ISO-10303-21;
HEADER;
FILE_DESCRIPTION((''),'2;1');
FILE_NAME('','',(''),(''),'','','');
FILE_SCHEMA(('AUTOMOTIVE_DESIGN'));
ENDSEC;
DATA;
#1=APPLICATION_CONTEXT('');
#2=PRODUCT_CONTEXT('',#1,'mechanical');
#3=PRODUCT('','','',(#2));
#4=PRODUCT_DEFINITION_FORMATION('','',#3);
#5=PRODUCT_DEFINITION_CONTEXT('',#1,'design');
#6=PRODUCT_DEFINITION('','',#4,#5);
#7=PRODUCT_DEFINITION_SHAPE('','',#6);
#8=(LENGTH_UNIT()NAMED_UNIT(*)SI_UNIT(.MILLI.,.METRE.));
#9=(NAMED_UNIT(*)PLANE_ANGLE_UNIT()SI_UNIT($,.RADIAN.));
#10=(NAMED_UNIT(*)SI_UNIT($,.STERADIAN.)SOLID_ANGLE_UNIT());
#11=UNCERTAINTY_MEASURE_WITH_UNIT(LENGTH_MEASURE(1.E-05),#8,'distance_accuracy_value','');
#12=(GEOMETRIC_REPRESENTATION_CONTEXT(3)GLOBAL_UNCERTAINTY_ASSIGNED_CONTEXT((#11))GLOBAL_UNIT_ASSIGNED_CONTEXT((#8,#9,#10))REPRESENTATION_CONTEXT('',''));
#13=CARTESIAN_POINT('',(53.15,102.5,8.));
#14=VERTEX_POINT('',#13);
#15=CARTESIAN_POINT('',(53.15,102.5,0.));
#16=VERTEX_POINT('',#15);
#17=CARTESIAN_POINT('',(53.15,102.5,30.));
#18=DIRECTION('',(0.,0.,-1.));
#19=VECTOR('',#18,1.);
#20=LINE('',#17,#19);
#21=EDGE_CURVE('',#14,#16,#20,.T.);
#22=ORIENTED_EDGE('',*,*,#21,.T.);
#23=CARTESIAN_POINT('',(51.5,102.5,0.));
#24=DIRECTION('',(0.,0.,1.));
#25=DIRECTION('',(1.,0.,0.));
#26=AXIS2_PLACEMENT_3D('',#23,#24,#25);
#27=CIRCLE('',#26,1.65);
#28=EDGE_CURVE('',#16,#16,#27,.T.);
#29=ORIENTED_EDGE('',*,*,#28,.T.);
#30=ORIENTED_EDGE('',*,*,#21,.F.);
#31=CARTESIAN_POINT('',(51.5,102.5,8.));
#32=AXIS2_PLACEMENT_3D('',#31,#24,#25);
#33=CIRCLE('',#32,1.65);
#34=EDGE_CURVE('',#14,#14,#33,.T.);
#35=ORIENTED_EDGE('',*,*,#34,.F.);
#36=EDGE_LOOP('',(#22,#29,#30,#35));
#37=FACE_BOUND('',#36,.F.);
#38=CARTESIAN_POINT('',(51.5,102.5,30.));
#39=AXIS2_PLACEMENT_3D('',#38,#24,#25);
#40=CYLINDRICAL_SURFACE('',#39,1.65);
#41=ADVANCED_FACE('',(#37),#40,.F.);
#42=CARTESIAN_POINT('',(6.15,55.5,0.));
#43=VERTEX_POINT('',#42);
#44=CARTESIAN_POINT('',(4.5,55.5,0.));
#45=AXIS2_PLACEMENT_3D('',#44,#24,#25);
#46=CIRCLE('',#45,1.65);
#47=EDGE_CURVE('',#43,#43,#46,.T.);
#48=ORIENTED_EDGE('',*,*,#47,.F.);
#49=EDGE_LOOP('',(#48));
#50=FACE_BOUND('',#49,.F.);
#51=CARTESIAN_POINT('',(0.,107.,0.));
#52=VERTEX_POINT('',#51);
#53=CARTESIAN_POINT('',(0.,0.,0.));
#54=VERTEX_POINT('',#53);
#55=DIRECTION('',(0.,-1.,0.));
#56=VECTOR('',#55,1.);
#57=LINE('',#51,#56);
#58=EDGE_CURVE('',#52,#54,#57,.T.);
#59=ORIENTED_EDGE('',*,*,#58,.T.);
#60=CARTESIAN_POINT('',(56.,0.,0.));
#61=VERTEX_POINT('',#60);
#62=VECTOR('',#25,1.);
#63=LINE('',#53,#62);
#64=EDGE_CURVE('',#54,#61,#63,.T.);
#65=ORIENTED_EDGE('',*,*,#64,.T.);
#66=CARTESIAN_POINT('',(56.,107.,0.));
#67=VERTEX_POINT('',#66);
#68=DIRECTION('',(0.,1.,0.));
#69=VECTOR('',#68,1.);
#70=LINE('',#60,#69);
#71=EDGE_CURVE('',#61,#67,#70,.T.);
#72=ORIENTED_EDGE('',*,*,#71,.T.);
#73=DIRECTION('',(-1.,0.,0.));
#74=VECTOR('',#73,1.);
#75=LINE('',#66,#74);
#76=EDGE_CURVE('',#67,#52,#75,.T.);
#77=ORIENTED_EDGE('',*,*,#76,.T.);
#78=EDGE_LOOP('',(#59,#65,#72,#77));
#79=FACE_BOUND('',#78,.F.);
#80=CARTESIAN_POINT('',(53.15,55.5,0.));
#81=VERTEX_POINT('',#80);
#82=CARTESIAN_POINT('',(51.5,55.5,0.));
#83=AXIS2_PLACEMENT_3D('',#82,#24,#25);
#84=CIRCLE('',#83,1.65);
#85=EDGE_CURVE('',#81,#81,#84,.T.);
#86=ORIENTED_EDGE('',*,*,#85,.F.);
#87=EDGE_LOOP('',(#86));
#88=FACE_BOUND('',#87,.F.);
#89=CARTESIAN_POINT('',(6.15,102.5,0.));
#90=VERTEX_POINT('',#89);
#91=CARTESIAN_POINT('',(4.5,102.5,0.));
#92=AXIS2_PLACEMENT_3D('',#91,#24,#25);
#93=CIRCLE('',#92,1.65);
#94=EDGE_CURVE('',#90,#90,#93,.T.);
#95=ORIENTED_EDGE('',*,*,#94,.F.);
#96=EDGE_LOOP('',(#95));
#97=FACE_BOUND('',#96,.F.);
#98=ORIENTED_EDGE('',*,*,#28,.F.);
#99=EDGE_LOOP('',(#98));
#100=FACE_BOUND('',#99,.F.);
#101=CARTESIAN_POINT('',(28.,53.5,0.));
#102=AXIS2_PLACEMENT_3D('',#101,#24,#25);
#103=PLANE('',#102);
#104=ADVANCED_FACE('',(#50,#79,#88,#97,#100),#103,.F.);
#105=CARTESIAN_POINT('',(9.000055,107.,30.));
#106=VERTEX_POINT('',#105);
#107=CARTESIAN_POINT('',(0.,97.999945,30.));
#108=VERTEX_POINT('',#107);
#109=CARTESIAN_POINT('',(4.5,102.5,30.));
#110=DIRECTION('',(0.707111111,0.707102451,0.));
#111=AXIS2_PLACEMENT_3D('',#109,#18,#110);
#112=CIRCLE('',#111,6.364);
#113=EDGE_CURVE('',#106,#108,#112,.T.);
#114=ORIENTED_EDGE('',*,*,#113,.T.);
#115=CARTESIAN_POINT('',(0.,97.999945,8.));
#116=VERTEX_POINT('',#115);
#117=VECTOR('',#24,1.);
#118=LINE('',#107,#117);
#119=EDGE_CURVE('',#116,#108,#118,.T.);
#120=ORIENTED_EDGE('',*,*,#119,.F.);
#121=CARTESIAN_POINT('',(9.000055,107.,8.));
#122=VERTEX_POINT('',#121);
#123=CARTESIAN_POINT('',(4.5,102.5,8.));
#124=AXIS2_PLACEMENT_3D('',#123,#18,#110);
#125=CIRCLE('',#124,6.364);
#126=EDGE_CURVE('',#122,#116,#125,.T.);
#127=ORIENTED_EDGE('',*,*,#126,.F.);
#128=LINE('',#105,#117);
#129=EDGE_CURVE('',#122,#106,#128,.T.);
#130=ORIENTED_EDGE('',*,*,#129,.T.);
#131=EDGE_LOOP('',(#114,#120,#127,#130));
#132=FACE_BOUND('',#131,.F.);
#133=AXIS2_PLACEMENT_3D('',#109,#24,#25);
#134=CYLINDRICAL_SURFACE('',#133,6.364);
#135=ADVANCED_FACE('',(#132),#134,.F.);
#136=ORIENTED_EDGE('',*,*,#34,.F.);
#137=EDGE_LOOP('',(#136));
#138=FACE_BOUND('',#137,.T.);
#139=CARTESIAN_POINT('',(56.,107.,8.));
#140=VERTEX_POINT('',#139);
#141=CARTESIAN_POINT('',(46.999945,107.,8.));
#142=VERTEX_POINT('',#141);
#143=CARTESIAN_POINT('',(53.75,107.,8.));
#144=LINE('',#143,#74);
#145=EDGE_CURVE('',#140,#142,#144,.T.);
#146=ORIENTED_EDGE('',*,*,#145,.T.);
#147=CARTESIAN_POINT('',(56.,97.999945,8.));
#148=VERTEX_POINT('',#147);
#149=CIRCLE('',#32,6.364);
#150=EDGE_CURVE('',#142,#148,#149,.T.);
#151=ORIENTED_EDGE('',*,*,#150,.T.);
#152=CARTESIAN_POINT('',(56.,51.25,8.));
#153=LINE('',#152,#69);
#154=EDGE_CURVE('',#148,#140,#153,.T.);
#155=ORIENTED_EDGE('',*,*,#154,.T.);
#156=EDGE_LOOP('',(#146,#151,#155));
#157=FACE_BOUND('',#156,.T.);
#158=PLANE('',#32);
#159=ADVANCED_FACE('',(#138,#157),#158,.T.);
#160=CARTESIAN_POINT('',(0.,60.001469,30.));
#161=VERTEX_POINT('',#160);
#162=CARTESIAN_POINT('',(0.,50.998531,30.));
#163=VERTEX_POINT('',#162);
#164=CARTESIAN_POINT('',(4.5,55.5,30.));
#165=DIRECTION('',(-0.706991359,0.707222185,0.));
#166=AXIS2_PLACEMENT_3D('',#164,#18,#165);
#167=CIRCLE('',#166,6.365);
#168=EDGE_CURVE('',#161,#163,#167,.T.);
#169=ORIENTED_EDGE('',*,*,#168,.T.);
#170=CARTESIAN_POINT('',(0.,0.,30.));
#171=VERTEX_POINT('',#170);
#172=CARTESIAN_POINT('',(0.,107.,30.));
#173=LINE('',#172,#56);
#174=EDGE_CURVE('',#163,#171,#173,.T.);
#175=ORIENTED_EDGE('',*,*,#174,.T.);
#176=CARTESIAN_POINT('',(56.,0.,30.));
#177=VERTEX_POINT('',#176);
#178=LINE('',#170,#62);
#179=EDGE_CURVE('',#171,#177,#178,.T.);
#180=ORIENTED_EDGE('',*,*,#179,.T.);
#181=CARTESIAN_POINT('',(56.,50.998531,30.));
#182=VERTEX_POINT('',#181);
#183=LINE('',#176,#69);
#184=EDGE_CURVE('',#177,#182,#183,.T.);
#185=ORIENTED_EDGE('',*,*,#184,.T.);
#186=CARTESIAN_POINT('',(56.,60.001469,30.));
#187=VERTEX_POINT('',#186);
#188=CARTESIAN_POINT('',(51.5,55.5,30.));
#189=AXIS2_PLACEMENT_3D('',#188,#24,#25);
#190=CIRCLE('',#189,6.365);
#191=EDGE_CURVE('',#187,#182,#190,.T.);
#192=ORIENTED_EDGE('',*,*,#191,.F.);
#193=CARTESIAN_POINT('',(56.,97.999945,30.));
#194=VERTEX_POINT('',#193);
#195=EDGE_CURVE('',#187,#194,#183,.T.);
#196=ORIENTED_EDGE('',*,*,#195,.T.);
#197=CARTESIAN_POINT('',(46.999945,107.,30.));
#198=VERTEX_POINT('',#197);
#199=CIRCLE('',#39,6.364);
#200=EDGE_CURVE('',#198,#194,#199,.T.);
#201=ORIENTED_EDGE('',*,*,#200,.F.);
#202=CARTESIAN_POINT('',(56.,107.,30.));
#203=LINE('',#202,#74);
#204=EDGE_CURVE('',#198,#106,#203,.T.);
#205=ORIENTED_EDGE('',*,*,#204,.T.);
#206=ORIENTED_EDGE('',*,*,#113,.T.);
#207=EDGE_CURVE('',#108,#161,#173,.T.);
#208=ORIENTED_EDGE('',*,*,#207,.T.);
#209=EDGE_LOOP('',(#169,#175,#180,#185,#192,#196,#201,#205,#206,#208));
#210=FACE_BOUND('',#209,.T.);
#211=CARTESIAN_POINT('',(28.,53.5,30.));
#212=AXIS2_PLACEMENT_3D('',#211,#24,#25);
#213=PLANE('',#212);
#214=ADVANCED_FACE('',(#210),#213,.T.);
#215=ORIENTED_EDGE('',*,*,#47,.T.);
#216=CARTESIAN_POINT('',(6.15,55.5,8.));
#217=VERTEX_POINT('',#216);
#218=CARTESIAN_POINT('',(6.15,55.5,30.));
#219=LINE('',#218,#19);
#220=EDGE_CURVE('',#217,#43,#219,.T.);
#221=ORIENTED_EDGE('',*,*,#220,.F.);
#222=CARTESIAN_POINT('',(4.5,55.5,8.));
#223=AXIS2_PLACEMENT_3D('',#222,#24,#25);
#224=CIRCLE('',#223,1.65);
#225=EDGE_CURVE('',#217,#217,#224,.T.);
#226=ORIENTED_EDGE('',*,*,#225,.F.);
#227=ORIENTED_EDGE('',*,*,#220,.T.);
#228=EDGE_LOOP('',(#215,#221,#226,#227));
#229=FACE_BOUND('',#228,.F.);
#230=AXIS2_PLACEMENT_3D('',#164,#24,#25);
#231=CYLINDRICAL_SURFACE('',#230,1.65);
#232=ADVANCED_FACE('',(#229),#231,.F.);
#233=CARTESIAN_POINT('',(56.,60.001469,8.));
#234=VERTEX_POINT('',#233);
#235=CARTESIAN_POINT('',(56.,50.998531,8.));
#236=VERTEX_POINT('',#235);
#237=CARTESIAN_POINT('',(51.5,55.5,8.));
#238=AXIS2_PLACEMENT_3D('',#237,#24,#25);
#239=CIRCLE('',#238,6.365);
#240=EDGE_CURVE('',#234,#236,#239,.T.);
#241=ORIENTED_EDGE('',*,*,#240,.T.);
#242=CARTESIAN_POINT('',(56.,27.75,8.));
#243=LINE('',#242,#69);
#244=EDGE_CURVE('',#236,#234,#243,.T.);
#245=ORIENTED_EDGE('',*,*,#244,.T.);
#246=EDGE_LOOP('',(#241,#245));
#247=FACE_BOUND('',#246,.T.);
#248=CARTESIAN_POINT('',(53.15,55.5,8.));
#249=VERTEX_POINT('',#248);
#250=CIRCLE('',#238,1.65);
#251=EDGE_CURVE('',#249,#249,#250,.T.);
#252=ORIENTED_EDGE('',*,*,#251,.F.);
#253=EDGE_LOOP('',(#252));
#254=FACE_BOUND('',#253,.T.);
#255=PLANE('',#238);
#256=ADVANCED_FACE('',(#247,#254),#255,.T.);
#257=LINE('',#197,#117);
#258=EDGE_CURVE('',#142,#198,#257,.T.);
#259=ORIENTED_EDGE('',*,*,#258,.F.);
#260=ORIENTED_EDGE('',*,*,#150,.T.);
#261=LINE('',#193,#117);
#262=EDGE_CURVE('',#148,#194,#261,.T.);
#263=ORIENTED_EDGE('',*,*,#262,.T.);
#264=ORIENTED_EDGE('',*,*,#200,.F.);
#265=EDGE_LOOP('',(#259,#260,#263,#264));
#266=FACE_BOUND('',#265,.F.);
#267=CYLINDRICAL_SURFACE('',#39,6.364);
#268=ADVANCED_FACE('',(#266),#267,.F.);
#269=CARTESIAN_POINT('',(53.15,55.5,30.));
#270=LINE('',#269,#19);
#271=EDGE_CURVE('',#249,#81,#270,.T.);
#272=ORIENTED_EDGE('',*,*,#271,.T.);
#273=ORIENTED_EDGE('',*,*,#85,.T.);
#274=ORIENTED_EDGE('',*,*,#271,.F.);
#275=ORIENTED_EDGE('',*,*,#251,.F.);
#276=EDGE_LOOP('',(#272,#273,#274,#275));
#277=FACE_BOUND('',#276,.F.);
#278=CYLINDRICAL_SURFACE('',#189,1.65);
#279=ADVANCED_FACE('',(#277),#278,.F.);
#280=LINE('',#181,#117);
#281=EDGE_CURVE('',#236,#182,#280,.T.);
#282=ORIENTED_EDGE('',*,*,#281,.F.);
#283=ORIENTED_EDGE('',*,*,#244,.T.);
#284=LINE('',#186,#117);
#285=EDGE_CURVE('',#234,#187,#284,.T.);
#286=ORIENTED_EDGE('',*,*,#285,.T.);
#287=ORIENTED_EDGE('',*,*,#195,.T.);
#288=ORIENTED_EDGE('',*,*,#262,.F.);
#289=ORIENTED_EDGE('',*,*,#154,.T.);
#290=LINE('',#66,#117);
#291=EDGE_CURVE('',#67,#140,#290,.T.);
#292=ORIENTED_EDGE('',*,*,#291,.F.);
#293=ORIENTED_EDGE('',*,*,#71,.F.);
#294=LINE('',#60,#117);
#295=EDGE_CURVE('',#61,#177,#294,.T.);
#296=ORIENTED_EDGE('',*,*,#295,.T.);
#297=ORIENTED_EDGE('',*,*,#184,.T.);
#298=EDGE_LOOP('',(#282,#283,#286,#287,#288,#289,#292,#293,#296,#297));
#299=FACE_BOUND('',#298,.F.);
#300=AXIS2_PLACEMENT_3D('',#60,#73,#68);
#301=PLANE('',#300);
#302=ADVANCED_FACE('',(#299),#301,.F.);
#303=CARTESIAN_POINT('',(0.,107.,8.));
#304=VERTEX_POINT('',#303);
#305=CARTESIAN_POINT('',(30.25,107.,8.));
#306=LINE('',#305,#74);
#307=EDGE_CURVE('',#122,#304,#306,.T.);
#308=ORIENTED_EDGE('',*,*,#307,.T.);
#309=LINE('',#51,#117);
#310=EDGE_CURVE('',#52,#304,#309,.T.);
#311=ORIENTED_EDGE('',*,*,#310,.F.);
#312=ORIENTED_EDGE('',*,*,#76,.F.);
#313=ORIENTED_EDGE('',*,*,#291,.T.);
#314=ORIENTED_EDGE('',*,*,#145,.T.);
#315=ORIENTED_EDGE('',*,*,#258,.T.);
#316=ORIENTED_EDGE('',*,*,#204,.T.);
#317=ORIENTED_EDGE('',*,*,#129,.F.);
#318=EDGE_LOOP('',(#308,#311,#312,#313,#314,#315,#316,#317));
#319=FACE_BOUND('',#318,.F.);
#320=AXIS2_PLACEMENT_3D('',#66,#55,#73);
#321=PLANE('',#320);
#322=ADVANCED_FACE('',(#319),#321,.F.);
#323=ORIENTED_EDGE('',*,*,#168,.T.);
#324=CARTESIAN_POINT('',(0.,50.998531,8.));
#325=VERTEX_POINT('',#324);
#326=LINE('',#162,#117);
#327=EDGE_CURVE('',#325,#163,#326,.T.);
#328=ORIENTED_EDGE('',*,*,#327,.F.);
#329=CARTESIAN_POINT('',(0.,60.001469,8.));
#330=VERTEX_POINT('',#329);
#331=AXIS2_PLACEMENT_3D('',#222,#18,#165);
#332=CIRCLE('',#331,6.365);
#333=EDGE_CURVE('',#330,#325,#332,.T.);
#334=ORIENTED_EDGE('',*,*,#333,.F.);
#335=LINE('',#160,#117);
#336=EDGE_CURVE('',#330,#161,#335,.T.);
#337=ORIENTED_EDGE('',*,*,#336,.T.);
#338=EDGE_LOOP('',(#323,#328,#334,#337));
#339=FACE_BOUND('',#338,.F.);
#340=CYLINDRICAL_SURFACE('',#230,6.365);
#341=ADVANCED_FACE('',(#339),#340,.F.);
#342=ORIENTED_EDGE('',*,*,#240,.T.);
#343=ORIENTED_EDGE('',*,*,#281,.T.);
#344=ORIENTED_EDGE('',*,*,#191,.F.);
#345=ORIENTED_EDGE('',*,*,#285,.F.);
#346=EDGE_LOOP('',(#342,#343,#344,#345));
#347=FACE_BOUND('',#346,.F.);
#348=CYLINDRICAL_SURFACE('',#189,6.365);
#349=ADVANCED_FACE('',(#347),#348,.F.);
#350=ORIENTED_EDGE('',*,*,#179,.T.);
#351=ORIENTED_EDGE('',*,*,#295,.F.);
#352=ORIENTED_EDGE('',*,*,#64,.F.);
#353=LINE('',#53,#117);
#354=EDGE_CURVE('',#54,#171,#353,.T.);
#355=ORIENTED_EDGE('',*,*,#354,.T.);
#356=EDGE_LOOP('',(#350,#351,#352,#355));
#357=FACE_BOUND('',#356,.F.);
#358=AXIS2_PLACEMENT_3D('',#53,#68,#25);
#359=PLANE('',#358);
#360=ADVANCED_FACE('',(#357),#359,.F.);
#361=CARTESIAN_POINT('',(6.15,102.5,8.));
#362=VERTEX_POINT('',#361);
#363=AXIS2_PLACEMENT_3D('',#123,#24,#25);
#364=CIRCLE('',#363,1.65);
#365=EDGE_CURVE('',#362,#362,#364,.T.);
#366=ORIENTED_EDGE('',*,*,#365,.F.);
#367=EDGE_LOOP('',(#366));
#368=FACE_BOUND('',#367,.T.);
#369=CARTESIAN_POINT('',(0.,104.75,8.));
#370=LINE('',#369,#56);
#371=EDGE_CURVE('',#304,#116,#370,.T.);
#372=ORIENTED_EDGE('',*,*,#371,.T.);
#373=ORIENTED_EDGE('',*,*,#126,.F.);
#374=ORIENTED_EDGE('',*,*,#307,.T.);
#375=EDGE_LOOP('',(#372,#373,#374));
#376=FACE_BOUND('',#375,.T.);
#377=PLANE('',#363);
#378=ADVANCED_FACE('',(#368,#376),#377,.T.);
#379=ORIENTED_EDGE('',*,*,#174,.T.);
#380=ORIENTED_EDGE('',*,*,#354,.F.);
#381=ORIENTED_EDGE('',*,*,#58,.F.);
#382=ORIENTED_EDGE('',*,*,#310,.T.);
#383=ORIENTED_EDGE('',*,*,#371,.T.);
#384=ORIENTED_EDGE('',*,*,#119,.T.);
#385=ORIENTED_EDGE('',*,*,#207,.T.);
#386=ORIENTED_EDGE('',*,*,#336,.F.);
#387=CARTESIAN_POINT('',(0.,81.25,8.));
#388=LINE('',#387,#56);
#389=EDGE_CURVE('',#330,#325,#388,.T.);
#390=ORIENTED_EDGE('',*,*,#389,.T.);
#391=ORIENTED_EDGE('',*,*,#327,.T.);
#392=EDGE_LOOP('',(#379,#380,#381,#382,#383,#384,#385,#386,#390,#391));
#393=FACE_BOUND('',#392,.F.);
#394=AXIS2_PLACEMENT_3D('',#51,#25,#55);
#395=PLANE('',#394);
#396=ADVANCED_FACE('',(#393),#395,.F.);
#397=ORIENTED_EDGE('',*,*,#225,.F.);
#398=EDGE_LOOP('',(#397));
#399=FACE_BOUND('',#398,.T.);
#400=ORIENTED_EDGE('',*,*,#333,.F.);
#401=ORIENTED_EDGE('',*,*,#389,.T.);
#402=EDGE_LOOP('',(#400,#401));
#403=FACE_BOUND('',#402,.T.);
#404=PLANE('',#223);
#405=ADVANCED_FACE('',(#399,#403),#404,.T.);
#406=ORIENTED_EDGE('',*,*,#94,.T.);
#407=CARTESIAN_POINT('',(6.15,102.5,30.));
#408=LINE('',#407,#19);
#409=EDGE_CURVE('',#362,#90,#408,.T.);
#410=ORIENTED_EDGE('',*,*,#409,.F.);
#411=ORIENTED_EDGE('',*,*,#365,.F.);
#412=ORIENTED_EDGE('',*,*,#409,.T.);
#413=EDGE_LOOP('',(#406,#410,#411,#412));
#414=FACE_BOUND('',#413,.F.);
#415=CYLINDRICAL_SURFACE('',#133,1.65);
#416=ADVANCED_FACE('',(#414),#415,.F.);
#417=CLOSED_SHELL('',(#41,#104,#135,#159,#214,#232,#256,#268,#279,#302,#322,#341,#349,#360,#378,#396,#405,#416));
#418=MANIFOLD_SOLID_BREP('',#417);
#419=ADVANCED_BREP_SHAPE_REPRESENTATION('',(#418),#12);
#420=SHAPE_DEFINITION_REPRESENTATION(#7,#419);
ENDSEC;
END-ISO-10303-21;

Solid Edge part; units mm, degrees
sketch "Sketch1" plane through (0, 0, 0) normal (0, 0, 1) x (1, 0, 0)
  line L0 (0, 0) -> (56, 0)
  line L1 (56, 0) -> (56, 107)
  line L2 (56, 107) -> (0, 107)
  line L3 (0, 107) -> (0, 0)
  dimension "D1" = 56
  dimension "D2" = 107
extrude "Protrusion1" add sketch "Sketch1" along normal blind 30
sketch "Sketch2" plane through (28, 53.5, 30) normal (0, 0, 1) x (1, 0, 0)
  circle A0 centre (23.5, 49) radius 1.65
  circle A1 centre (-23.5, 2) radius 1.65
  circle A2 centre (23.5, 2) radius 1.65
  circle A3 centre (-23.5, 49) radius 1.65
  dimension "D1" = 3.3
  dimension "D2" = 3.3
extrude "ExtrudedCutout_1" cut sketch "Sketch2" against normal blind 30
sketch "Sketch3" plane through (28, 53.5, 30) normal (0, 0, 1) x (1, 0, 0)
  circle A0 centre (23.5, 49) radius 6.364
  circle A1 centre (-23.5, 2) radius 6.365
  circle A2 centre (23.5, 2) radius 6.365
  circle A3 centre (-23.5, 49) radius 6.364
  dimension "D1" = 12.7279
  dimension "D2" = 12.7279
  dimension "D3" = 12.73
extrude "ExtrudedCutout_2" cut sketch "Sketch3" against normal blind 22
